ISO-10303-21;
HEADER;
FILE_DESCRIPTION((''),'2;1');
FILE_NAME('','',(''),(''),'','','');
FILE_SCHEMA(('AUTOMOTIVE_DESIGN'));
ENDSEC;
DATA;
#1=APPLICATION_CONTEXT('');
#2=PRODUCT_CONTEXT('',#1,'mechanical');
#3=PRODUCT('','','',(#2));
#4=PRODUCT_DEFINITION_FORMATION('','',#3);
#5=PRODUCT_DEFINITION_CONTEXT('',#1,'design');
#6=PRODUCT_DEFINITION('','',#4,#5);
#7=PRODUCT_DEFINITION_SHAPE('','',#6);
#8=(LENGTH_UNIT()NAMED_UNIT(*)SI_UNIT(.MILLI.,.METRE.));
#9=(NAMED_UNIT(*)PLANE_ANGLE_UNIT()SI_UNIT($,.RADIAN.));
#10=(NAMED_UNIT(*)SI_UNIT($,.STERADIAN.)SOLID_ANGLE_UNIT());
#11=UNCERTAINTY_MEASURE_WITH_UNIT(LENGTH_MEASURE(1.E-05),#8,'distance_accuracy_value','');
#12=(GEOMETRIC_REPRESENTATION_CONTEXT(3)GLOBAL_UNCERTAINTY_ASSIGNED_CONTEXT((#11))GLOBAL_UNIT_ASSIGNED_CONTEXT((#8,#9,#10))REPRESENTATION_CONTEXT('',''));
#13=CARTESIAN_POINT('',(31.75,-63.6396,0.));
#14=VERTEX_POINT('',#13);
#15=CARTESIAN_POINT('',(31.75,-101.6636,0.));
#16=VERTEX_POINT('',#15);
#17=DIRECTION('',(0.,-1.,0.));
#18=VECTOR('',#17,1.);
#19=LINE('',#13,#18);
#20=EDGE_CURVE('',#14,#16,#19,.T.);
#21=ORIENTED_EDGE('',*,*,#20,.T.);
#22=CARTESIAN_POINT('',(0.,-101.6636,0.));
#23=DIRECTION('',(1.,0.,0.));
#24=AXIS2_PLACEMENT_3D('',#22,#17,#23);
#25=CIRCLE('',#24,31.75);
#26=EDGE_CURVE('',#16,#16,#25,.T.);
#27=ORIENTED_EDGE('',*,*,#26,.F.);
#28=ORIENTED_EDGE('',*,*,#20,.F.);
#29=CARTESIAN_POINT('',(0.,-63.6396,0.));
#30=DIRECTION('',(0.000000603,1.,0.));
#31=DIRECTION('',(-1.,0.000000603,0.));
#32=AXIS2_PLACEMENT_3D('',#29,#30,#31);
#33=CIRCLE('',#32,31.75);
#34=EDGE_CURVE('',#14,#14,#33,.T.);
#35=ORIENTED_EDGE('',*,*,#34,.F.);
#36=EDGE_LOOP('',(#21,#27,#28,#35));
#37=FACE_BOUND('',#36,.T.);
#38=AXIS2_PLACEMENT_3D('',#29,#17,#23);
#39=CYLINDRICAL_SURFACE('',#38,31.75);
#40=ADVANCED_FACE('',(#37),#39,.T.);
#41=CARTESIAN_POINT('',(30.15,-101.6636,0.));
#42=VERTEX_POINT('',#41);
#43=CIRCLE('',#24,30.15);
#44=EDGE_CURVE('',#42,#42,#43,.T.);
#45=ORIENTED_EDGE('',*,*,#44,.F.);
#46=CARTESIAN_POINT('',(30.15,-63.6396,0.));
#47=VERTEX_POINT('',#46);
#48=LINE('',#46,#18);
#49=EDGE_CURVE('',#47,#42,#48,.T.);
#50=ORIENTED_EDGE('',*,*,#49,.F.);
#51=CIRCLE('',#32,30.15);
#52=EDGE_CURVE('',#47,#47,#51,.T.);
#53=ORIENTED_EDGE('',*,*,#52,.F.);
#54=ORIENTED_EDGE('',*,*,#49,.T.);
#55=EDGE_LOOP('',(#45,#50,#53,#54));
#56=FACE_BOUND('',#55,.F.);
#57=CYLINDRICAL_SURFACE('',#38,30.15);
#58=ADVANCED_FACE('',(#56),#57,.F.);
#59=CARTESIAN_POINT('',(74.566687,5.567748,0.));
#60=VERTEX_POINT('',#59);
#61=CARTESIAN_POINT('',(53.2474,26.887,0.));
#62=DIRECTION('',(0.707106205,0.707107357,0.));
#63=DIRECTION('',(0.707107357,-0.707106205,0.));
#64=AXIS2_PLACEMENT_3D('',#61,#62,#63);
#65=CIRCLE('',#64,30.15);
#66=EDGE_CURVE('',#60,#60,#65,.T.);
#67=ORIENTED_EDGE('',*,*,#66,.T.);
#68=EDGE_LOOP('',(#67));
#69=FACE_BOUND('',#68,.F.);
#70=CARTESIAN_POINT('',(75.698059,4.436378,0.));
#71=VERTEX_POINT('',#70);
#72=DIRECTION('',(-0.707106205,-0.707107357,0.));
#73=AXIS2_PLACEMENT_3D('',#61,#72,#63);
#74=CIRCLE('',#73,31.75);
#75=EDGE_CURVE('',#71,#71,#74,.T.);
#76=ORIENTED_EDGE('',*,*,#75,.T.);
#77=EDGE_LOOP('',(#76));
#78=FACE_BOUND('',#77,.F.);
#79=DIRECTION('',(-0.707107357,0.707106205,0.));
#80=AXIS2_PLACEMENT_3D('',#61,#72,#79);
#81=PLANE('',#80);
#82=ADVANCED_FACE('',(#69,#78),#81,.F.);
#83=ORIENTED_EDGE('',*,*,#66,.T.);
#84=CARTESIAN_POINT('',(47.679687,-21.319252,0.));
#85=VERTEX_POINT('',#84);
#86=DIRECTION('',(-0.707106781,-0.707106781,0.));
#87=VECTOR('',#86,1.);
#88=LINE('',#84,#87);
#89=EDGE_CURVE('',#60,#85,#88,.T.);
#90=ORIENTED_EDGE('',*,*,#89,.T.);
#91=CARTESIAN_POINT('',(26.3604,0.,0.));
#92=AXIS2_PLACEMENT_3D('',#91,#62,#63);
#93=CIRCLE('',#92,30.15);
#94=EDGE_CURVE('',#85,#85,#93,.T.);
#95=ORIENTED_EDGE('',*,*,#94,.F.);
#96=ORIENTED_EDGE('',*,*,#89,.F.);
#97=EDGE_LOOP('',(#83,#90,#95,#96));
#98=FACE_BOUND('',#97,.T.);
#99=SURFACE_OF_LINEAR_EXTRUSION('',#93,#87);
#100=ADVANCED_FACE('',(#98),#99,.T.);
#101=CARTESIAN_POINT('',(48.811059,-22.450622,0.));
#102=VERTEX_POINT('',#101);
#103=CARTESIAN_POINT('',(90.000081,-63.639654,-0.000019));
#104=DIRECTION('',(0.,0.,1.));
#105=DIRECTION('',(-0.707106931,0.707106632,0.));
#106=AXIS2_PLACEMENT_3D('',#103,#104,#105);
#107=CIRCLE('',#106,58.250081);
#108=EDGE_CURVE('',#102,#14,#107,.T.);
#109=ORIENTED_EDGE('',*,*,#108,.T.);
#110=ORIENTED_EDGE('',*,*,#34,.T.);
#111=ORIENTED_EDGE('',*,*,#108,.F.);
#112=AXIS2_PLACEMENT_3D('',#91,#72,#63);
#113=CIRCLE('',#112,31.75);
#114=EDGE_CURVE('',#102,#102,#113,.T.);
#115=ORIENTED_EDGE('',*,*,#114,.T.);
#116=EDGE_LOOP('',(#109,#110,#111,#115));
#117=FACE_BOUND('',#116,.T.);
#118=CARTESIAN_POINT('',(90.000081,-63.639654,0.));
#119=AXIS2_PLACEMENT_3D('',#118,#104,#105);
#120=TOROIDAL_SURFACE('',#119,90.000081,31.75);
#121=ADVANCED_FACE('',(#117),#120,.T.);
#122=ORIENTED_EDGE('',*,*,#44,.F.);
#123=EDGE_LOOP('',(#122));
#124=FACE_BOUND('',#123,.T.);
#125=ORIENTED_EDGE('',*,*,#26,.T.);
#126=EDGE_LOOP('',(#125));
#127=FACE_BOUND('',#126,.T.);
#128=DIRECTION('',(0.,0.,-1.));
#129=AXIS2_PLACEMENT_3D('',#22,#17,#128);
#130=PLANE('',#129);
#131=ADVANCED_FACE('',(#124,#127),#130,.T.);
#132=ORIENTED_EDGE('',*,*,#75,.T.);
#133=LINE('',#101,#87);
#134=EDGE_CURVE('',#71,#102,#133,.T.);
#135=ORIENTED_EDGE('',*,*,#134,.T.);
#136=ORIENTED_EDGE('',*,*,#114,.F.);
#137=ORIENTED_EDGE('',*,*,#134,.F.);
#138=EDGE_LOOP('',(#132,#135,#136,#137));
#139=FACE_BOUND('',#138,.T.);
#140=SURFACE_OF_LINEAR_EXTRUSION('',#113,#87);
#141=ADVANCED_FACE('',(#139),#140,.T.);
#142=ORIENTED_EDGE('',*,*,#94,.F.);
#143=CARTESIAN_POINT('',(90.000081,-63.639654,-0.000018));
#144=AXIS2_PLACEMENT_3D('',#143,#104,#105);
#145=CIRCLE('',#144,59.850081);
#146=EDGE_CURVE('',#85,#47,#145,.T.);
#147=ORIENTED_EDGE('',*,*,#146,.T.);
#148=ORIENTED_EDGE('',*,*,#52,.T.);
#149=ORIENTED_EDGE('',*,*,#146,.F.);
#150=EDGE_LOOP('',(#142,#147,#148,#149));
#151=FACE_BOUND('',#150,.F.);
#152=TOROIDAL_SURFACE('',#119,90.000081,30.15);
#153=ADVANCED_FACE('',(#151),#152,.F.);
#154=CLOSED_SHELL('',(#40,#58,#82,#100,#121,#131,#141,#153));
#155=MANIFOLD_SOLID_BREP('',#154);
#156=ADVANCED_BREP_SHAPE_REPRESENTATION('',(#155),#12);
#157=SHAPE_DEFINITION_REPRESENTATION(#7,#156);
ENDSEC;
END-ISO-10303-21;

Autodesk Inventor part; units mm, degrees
ref_plane "YZ Plane" through (0, 0, 0) normal (1, 0, 0) x (0, 1, 0)
ref_plane "XZ Plane" through (0, 0, 0) normal (0, 1, 0) x (-1, 0, 0)
sketch "Szkic6" plane through (0, 0, 0) normal (0, 0, 1) x (1, 0, 0)
  line L0 (-29.6067, 0) -> (35.2678, 0) construction
  line L1 (0, 42.3419) -> (0, -58.3726) construction
  arc A0 (26.3604, 0) -> (0, -63.6396) centre (90, -63.6396) ccw
  line L2 (0, -63.6396) -> (90, -63.6396) construction
  line L3 (90, -63.6396) -> (43.6611, -17.3007) construction
  line L4 (26.3604, 0) -> (53.2474, 26.887)
  line L5 (0, -63.6396) -> (0, -101.6636)
  point P0 (0, 0)
  dimension "d24" = 90
  dimension "d31" = 45
  dimension "d36" = 38.024
  dimension "d37" = 38.024
ref_plane "Płaszczyzna konstrukcyjna2" through (0, -63.6396, 0) normal (0, -1, 0) x (1, 0, 0)
sketch "Szkic8" plane through (0, -63.6396, 0) normal (0, -1, 0) x (1, 0, 0)
  circle A0 centre (0, 0) radius 31.75
  circle A1 centre (0, 0) radius 30.15
  dimension "d32" = 63.5
  dimension "d33" = 1.6
sweep "Przeciągnięcie2" add profiles "Szkic8" path "Szkic6"
equation "\"d32\" = OD"
equation "\"d33\" = THK"
equation "\"d24\" = R"
equation "\"d31\" = KAT"
equation "\"d36\" = PROSTKA"
equation "\"d37\" = PROSTKA"
equation "\"SzerokośćGięciaPodcięcia\" = Grubość"
equation "\"RozmiarPodcięciaNarożnika\" = 4 * Grubość"
equation "\"PromieńPrzejścia\" = PromieńGięcia"
equation "\"Rozmiar_promienia_Jacobiego\" = PromieńGięcia"
equation "\"Wielk_odstępu\" = Grubość"
equation "\"d2\" = PromieńGięcia"
equation "\"d23\" = PromieńGięcia"
equation "\"R\" = 90"
equation "\"OD\" = 63.5"
equation "\"THK\" = 1.6"
equation "\"KAT\" = 45deg"
equation "\"PROSTKA\" = 38.024"
equation "\"Grubość\" = 1.5"
equation "\"PromieńGięcia\" = 3"
properties part number "Kolano 45° ø63,5x1,6 R90" material "304L"
